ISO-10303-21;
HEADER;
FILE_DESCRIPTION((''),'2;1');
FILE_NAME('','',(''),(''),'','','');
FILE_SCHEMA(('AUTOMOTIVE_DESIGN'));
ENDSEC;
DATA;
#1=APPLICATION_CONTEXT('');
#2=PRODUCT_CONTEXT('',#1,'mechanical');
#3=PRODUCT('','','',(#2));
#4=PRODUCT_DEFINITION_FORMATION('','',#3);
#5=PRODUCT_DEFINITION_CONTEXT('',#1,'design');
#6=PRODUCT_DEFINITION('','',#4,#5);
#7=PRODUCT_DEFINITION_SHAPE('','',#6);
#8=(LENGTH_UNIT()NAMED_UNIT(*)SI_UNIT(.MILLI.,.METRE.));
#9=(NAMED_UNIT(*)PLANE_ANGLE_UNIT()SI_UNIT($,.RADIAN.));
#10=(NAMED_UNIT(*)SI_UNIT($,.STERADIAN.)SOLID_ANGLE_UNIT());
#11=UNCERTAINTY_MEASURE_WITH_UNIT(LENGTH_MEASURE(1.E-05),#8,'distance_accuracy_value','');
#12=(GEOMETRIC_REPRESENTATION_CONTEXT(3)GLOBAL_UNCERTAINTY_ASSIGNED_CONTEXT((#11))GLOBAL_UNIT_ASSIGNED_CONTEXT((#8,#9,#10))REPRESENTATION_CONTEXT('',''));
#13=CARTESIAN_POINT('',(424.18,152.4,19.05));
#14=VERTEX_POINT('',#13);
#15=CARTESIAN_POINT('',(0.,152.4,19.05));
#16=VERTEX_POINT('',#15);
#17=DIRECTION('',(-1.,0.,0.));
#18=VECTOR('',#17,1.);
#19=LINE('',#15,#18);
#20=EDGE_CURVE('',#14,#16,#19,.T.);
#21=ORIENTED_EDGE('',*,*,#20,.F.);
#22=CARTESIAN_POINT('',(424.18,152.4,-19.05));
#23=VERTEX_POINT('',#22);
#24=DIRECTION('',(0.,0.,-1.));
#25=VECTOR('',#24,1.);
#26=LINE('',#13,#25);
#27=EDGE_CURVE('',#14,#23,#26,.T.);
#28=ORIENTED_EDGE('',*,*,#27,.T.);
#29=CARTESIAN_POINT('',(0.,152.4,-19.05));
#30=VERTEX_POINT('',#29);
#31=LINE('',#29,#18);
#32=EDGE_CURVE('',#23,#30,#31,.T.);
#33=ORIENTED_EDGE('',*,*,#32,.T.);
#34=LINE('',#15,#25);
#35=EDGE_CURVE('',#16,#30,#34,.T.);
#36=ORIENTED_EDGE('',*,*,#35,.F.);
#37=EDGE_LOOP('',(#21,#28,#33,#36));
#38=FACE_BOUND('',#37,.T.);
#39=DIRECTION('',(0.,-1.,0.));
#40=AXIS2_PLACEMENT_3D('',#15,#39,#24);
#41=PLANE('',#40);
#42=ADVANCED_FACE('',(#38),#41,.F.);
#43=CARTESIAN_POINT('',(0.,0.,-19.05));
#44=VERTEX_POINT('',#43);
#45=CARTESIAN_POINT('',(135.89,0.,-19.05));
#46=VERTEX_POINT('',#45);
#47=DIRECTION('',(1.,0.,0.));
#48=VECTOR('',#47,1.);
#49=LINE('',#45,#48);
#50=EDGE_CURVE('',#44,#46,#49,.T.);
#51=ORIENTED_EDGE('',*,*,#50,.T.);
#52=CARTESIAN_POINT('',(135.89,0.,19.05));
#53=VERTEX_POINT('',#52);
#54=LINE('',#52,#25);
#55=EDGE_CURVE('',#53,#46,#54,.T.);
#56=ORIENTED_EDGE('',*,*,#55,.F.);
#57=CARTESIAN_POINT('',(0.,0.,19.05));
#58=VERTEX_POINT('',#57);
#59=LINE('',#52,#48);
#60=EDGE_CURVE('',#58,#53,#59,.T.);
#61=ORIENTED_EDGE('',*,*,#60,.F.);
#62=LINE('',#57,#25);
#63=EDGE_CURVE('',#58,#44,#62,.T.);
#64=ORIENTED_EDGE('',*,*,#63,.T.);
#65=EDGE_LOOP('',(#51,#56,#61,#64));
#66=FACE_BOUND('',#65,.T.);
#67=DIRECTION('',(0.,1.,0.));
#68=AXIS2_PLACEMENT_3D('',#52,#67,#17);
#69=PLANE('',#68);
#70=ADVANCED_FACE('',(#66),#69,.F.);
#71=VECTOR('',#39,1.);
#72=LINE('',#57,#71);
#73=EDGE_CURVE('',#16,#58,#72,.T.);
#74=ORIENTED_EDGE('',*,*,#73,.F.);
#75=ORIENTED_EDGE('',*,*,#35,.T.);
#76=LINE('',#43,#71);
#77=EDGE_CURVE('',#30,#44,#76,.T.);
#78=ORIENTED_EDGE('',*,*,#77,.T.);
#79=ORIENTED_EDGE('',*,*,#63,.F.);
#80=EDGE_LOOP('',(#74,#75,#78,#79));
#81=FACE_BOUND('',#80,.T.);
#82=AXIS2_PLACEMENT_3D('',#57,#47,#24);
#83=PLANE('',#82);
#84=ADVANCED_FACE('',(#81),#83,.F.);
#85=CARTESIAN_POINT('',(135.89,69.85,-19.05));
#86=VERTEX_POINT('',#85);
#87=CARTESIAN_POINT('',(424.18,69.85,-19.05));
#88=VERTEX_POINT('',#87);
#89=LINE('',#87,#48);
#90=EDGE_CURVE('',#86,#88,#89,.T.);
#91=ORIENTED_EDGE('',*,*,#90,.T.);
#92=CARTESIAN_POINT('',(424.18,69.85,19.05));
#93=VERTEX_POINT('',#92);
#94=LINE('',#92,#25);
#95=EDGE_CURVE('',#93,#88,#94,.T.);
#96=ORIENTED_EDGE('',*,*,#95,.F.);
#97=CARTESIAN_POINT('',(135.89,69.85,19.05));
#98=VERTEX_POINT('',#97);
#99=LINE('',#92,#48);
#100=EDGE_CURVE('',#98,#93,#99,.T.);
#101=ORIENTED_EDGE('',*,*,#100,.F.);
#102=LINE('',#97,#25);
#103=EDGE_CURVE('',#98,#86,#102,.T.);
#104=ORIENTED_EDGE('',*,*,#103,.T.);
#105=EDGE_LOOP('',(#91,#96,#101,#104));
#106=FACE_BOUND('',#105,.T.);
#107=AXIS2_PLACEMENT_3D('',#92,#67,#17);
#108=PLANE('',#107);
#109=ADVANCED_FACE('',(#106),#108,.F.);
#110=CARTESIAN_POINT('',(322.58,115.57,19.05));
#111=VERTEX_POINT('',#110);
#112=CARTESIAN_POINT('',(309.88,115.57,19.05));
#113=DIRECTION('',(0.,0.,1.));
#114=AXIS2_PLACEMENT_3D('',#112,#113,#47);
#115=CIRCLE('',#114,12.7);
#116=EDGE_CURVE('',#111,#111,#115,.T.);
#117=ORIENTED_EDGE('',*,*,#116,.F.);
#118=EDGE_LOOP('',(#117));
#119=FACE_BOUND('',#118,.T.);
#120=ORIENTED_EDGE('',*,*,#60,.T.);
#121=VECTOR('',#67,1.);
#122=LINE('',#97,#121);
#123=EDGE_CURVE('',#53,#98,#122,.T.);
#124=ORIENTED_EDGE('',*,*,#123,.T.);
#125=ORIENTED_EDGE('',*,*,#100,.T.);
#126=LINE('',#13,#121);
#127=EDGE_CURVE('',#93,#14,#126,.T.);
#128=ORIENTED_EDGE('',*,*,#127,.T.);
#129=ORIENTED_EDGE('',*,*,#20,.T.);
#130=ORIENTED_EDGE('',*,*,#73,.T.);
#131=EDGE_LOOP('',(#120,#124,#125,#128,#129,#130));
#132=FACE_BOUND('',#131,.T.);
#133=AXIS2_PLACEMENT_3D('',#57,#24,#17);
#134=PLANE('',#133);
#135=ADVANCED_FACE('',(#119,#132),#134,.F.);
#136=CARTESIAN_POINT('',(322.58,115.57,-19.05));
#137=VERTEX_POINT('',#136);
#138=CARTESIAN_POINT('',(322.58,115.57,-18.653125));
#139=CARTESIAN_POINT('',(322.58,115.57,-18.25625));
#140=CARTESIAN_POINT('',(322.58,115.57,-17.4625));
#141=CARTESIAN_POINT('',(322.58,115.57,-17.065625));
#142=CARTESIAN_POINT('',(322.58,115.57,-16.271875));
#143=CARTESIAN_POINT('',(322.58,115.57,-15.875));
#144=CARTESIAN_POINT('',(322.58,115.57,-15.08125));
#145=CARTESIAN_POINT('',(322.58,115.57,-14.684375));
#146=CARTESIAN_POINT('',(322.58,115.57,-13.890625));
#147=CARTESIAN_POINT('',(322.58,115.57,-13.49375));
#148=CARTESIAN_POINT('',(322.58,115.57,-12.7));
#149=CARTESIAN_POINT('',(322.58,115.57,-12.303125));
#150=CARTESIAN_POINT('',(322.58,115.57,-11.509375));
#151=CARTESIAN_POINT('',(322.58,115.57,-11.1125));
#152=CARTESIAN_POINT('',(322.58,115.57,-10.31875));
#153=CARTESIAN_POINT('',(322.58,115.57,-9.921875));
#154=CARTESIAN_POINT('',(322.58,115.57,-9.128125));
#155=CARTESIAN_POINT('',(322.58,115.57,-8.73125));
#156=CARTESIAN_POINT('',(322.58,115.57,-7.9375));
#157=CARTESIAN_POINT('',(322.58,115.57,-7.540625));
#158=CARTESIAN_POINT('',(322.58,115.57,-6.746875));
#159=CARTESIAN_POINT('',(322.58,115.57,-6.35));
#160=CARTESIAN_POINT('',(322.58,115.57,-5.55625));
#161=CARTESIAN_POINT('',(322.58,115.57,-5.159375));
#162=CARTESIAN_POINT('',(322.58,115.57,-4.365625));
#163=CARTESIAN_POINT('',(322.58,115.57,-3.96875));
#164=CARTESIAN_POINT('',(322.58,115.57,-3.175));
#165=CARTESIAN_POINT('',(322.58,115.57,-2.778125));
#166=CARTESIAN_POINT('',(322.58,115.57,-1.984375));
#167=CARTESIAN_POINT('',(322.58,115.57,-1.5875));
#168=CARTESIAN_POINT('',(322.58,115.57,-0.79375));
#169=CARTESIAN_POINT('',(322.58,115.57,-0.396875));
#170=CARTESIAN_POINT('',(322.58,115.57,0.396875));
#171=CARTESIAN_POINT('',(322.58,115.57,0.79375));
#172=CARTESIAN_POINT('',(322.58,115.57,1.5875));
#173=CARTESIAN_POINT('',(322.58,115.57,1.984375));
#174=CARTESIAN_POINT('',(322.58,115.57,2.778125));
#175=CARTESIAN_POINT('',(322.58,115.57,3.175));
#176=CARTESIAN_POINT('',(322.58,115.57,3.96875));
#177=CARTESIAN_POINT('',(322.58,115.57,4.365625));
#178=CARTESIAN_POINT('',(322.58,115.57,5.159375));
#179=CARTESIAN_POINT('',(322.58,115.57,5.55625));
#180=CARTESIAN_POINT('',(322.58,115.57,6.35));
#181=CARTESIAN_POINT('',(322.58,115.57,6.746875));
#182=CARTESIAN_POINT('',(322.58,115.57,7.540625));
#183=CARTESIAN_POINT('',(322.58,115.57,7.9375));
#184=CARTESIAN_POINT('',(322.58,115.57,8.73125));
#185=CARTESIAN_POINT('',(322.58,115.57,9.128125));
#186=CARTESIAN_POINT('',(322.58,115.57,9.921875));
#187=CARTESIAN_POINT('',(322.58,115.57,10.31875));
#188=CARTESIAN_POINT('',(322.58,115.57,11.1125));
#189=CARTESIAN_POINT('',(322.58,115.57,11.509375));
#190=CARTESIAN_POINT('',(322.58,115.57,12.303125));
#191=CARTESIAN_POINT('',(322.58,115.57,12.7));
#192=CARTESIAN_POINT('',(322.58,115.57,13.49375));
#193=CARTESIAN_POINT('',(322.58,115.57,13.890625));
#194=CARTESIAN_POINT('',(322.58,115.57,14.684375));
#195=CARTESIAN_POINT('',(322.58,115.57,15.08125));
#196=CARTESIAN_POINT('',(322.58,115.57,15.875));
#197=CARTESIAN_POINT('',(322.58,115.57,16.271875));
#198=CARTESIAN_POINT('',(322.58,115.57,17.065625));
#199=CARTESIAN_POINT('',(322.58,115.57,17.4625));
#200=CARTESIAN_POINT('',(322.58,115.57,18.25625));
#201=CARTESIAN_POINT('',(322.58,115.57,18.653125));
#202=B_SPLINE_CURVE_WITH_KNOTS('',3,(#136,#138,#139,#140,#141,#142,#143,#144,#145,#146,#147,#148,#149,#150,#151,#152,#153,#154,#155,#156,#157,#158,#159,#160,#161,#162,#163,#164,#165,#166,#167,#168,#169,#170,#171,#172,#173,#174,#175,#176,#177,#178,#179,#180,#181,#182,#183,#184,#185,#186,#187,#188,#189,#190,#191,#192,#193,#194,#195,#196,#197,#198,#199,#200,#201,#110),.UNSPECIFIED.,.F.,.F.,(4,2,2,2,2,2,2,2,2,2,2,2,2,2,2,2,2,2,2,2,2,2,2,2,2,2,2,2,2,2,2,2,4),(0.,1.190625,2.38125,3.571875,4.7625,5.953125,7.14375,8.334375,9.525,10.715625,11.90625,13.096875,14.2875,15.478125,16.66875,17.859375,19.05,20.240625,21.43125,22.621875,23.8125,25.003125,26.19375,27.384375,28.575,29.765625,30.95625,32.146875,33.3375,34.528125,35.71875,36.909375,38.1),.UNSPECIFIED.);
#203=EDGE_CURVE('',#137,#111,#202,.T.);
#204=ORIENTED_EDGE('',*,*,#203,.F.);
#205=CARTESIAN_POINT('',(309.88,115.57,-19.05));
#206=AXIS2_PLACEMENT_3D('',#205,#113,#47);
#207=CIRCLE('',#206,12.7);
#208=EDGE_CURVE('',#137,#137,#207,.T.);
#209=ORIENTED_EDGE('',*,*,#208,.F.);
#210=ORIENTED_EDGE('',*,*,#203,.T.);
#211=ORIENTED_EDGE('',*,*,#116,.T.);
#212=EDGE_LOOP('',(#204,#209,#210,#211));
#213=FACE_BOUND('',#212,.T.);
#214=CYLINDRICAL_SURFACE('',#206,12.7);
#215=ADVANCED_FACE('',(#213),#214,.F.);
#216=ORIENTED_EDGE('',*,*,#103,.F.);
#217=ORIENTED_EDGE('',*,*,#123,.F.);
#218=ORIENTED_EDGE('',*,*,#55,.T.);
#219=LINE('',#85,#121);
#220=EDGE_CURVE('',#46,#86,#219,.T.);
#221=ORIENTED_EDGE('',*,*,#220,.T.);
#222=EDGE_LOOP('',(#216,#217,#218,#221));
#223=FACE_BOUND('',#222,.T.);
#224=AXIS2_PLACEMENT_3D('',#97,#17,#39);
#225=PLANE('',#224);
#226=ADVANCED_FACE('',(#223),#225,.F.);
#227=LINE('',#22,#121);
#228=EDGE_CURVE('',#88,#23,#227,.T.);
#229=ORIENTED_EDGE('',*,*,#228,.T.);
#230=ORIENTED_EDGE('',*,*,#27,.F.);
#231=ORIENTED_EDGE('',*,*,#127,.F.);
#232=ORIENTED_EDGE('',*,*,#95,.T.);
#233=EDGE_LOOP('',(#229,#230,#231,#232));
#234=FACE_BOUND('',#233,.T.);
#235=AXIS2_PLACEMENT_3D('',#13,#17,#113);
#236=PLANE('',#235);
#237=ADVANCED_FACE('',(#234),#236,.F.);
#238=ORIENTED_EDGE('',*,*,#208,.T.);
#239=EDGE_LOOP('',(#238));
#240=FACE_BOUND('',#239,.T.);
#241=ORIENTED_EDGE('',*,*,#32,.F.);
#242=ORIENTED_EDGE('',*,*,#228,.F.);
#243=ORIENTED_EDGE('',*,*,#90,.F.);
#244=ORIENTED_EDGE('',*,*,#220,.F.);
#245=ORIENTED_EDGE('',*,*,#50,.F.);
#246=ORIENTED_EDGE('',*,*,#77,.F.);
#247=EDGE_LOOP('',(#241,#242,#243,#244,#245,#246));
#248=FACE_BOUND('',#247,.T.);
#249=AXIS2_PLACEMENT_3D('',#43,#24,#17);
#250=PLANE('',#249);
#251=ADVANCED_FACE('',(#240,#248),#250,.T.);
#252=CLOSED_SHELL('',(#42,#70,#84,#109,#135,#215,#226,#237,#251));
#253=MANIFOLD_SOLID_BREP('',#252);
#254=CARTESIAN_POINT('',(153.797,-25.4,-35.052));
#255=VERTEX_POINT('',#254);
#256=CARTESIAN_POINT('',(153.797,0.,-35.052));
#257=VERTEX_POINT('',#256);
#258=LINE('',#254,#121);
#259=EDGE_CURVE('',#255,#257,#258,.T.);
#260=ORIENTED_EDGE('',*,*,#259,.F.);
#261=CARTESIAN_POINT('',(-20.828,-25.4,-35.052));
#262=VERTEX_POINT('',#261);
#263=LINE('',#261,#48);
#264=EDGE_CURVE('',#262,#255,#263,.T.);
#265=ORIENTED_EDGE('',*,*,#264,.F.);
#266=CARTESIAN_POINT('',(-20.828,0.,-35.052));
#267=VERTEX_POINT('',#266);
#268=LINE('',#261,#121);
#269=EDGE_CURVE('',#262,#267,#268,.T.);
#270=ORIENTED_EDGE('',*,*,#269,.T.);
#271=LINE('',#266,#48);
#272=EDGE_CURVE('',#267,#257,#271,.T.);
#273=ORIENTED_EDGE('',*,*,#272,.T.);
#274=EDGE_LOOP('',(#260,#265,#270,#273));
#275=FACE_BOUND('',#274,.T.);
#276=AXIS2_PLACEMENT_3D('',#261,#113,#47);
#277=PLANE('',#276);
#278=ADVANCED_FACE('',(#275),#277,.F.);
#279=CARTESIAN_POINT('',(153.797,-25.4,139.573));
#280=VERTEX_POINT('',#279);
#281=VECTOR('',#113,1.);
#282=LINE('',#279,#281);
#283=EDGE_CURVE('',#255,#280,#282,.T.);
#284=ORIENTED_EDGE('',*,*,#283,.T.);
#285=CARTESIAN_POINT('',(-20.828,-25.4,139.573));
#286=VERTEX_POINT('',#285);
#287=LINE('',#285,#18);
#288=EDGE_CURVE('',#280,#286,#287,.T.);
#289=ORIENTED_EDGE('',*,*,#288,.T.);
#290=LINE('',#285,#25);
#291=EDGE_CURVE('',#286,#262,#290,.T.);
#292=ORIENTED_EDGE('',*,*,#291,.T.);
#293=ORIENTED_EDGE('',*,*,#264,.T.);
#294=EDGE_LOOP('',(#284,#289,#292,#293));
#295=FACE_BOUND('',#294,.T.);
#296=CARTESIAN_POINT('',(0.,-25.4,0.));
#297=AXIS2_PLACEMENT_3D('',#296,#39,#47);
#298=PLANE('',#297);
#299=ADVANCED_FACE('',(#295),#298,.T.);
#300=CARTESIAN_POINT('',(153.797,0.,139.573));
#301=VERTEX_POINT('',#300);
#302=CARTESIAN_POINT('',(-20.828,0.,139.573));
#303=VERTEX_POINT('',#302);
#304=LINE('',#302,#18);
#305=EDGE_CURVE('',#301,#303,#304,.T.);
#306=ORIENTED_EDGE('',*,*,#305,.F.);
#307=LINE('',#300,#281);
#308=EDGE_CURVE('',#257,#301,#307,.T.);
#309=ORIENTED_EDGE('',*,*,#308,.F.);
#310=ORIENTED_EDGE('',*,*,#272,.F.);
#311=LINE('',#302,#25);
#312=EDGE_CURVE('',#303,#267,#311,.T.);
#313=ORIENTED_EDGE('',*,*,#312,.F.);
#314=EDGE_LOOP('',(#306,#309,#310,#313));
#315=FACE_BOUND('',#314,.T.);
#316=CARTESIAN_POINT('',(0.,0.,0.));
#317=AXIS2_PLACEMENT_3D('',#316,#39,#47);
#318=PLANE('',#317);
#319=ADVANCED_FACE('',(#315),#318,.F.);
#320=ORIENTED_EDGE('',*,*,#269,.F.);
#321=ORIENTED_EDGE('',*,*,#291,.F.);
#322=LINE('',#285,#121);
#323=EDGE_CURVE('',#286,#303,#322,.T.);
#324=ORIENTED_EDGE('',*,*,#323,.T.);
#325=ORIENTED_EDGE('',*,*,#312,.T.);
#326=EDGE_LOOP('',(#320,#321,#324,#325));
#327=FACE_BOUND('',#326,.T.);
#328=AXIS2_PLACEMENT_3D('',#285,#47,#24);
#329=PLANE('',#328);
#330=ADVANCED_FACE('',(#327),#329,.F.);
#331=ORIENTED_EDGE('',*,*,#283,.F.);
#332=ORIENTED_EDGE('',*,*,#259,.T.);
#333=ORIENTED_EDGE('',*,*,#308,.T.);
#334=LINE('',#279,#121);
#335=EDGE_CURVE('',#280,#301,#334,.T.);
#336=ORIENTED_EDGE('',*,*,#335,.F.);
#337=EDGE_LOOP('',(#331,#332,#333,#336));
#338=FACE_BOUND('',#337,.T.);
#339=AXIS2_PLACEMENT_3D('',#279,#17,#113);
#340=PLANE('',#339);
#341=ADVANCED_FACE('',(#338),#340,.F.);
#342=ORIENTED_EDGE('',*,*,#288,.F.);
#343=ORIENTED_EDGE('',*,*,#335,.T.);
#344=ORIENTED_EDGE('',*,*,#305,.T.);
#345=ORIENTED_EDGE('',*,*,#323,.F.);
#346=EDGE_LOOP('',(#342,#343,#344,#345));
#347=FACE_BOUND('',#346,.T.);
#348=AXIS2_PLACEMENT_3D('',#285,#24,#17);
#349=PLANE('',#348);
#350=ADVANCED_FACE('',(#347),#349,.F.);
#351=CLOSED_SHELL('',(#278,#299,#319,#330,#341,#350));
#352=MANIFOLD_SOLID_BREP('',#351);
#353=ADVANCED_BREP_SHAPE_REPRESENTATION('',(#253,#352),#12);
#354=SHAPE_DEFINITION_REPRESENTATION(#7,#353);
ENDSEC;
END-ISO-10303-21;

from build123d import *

# Parameters (mm, degrees)
BOSS_EXTRUDE1_DEPTH = 19.05
SKETCH2_R           = 12.7
CUT_EXTRUDE1_DEPTH  = 453.333994301
SKETCH4_W           = 174.625
SKETCH4_H           = 174.625
BOSS_EXTRUDE2_DEPTH = 25.4


with BuildPart() as part:
    # Sketch1 → Boss-Extrude1 (new, symmetric)
    with BuildSketch(Plane.XY):
        Polygon((0, 0), (0, 152.4), (424.18, 152.4), (424.18, 69.85), (135.89, 69.85), (135.89, 0), align=None)
    extrude(amount=BOSS_EXTRUDE1_DEPTH, both=True)

    # Sketch2 → Cut-Extrude1 (cut, through all)
    with BuildSketch(Plane.XY.offset(19.05)):
        with Locations((309.88, 115.57)):
            Circle(SKETCH2_R)
    extrude(amount=-CUT_EXTRUDE1_DEPTH, mode=Mode.SUBTRACT)


with BuildPart() as body_2:
    # Sketch4 → Boss-Extrude2 (new body)
    with BuildSketch(Plane.XZ):
        with Locations((66.4845, 52.2605)):
            Rectangle(SKETCH4_W, SKETCH4_H)
    extrude(amount=BOSS_EXTRUDE2_DEPTH)


solid = Compound([part.part, body_2.part])
